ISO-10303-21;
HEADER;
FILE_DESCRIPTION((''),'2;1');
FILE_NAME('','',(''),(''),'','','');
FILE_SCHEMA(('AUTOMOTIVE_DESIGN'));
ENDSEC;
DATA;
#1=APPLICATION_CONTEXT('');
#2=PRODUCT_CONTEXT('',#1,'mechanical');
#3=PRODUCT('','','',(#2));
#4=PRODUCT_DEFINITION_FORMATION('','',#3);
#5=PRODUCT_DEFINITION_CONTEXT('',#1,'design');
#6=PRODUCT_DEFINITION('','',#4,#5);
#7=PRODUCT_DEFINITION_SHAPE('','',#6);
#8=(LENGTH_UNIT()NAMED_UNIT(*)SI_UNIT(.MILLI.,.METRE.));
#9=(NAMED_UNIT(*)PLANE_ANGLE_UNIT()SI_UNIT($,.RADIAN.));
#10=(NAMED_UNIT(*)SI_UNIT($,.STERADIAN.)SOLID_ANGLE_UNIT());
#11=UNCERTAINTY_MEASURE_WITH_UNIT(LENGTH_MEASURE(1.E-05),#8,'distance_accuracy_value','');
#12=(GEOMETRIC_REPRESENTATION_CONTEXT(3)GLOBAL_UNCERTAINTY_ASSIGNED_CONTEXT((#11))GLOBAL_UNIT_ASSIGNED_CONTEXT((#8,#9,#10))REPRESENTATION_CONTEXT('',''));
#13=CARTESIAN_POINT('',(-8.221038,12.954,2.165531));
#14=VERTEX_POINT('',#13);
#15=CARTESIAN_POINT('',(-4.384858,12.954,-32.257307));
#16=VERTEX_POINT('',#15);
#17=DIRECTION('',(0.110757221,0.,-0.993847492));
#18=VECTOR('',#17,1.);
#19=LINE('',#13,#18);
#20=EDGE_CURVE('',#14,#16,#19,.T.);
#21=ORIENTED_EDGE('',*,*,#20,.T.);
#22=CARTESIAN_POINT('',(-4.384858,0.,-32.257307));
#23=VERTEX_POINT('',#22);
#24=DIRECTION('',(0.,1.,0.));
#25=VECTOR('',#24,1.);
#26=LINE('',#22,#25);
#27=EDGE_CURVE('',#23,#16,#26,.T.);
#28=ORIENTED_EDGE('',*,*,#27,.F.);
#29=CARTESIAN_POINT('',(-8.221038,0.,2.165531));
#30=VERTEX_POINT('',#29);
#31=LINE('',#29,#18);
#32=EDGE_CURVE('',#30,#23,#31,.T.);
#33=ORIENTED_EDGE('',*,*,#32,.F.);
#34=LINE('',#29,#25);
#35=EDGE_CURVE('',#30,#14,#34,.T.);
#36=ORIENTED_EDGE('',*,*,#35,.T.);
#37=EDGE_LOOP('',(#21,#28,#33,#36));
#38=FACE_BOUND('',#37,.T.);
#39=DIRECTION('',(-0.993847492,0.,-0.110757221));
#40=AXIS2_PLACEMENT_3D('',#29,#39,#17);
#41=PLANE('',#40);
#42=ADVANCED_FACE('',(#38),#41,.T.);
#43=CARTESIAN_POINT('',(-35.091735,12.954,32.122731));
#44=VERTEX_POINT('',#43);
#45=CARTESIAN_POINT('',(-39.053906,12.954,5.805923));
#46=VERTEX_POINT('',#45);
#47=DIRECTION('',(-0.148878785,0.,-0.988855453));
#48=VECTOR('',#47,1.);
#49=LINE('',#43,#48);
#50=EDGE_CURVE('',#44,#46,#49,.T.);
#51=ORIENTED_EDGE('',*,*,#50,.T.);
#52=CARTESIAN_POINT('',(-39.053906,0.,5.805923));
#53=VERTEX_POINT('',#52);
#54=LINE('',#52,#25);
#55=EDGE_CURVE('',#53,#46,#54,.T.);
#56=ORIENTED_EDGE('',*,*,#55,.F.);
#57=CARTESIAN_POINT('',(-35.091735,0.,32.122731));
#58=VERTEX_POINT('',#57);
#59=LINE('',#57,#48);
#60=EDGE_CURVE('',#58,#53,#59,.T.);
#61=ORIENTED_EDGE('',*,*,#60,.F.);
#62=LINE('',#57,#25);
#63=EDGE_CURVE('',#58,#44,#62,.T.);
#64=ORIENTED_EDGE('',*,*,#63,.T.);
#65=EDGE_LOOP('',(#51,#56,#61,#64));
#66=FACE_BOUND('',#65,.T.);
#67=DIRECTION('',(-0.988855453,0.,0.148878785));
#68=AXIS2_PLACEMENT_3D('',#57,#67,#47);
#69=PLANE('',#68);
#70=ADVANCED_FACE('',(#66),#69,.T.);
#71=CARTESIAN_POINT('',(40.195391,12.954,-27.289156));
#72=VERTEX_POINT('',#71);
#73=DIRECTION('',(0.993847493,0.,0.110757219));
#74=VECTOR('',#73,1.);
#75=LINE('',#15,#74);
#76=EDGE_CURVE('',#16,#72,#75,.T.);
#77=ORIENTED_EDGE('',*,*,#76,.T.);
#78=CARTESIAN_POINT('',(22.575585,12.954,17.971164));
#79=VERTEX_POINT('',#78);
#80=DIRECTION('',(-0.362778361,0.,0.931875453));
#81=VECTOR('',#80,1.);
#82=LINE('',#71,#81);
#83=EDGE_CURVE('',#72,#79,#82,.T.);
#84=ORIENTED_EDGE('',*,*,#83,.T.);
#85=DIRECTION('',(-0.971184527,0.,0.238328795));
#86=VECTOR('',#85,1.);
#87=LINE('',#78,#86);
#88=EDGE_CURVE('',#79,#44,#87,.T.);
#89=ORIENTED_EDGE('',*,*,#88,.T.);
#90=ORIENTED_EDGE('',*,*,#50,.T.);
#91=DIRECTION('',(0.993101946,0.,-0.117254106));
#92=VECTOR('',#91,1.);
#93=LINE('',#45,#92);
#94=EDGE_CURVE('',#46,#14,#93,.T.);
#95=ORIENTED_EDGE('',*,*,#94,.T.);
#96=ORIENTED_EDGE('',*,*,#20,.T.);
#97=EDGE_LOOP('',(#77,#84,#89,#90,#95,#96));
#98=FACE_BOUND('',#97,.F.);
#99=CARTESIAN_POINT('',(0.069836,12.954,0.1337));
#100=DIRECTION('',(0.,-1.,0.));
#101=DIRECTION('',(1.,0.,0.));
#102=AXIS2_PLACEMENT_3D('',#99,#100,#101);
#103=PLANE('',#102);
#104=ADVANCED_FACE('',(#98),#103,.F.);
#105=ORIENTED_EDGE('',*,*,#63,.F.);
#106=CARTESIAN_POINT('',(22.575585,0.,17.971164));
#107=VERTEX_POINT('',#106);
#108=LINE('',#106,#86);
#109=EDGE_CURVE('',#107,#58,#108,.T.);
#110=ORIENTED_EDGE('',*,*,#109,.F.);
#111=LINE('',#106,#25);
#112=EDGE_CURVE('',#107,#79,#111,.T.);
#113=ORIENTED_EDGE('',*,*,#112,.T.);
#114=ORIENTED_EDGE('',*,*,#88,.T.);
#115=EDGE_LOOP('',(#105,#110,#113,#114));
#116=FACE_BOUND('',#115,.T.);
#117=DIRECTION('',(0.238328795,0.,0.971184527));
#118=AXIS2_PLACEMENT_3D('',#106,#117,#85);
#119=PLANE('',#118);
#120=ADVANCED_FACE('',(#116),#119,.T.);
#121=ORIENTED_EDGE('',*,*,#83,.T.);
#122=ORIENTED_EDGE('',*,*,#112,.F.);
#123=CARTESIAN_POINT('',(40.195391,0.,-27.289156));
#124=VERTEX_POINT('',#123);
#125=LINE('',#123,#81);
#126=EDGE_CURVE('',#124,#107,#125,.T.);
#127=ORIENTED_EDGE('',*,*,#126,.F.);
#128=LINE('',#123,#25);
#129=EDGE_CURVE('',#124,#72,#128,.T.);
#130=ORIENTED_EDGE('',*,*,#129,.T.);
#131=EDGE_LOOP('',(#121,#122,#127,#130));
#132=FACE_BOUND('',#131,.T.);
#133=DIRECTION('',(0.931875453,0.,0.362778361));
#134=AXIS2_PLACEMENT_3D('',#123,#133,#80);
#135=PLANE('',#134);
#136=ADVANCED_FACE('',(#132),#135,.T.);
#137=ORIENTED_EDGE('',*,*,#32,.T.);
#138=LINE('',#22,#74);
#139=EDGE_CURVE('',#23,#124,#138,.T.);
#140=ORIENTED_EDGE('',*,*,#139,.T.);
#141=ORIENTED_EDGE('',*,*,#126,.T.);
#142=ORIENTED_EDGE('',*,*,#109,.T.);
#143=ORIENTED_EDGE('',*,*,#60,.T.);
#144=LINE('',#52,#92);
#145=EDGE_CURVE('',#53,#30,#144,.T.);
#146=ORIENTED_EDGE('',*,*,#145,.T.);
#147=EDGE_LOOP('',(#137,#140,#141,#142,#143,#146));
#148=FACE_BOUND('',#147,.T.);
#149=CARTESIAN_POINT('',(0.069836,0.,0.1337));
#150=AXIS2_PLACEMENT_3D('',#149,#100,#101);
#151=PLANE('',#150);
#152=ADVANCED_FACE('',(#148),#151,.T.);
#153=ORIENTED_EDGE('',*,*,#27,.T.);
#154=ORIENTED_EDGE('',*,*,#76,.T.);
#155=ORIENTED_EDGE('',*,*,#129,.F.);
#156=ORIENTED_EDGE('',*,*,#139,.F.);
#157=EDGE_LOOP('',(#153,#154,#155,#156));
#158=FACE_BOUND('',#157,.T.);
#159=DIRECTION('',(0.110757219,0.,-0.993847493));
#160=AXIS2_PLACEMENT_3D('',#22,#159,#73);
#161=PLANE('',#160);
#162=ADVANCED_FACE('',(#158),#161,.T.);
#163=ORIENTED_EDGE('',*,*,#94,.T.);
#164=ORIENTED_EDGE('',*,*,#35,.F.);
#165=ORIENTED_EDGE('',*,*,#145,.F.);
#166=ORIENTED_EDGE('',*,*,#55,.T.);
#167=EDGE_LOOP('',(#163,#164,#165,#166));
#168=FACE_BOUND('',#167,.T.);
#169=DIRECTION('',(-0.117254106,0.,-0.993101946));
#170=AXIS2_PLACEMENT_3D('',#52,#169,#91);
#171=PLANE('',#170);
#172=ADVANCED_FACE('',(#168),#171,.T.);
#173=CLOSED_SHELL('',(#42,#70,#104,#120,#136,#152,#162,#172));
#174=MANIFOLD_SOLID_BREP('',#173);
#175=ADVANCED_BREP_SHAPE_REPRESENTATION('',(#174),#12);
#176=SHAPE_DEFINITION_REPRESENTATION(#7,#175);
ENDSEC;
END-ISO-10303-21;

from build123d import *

# Parameters (mm, degrees)
F1_DEPTH = 12.954
F2_R     = 10.50497
F3_DEPTH = 10.668


with BuildPart() as f1:
    # F0 (on Front) → F1 (new body)
    with BuildSketch(Plane.XZ):
        Polygon((22.575585, 17.971164), (-35.091735, 32.122731), (-39.053906, 5.805923), (-8.221038, 2.165531), (-4.384858, -32.257307), (40.195391, -27.289156), align=None)
    extrude(amount=-F1_DEPTH)

    # F2 (on face) → F3 (join)
    with BuildSketch(Plane(origin=(0, 12.954, 0), x_dir=(-1, 0, 0), z_dir=(0, 1, 0))):
        with Locations((-14.078603, 2.165531)):
            Circle(F2_R)
    extrude(amount=-F3_DEPTH)


solid = f1.part
